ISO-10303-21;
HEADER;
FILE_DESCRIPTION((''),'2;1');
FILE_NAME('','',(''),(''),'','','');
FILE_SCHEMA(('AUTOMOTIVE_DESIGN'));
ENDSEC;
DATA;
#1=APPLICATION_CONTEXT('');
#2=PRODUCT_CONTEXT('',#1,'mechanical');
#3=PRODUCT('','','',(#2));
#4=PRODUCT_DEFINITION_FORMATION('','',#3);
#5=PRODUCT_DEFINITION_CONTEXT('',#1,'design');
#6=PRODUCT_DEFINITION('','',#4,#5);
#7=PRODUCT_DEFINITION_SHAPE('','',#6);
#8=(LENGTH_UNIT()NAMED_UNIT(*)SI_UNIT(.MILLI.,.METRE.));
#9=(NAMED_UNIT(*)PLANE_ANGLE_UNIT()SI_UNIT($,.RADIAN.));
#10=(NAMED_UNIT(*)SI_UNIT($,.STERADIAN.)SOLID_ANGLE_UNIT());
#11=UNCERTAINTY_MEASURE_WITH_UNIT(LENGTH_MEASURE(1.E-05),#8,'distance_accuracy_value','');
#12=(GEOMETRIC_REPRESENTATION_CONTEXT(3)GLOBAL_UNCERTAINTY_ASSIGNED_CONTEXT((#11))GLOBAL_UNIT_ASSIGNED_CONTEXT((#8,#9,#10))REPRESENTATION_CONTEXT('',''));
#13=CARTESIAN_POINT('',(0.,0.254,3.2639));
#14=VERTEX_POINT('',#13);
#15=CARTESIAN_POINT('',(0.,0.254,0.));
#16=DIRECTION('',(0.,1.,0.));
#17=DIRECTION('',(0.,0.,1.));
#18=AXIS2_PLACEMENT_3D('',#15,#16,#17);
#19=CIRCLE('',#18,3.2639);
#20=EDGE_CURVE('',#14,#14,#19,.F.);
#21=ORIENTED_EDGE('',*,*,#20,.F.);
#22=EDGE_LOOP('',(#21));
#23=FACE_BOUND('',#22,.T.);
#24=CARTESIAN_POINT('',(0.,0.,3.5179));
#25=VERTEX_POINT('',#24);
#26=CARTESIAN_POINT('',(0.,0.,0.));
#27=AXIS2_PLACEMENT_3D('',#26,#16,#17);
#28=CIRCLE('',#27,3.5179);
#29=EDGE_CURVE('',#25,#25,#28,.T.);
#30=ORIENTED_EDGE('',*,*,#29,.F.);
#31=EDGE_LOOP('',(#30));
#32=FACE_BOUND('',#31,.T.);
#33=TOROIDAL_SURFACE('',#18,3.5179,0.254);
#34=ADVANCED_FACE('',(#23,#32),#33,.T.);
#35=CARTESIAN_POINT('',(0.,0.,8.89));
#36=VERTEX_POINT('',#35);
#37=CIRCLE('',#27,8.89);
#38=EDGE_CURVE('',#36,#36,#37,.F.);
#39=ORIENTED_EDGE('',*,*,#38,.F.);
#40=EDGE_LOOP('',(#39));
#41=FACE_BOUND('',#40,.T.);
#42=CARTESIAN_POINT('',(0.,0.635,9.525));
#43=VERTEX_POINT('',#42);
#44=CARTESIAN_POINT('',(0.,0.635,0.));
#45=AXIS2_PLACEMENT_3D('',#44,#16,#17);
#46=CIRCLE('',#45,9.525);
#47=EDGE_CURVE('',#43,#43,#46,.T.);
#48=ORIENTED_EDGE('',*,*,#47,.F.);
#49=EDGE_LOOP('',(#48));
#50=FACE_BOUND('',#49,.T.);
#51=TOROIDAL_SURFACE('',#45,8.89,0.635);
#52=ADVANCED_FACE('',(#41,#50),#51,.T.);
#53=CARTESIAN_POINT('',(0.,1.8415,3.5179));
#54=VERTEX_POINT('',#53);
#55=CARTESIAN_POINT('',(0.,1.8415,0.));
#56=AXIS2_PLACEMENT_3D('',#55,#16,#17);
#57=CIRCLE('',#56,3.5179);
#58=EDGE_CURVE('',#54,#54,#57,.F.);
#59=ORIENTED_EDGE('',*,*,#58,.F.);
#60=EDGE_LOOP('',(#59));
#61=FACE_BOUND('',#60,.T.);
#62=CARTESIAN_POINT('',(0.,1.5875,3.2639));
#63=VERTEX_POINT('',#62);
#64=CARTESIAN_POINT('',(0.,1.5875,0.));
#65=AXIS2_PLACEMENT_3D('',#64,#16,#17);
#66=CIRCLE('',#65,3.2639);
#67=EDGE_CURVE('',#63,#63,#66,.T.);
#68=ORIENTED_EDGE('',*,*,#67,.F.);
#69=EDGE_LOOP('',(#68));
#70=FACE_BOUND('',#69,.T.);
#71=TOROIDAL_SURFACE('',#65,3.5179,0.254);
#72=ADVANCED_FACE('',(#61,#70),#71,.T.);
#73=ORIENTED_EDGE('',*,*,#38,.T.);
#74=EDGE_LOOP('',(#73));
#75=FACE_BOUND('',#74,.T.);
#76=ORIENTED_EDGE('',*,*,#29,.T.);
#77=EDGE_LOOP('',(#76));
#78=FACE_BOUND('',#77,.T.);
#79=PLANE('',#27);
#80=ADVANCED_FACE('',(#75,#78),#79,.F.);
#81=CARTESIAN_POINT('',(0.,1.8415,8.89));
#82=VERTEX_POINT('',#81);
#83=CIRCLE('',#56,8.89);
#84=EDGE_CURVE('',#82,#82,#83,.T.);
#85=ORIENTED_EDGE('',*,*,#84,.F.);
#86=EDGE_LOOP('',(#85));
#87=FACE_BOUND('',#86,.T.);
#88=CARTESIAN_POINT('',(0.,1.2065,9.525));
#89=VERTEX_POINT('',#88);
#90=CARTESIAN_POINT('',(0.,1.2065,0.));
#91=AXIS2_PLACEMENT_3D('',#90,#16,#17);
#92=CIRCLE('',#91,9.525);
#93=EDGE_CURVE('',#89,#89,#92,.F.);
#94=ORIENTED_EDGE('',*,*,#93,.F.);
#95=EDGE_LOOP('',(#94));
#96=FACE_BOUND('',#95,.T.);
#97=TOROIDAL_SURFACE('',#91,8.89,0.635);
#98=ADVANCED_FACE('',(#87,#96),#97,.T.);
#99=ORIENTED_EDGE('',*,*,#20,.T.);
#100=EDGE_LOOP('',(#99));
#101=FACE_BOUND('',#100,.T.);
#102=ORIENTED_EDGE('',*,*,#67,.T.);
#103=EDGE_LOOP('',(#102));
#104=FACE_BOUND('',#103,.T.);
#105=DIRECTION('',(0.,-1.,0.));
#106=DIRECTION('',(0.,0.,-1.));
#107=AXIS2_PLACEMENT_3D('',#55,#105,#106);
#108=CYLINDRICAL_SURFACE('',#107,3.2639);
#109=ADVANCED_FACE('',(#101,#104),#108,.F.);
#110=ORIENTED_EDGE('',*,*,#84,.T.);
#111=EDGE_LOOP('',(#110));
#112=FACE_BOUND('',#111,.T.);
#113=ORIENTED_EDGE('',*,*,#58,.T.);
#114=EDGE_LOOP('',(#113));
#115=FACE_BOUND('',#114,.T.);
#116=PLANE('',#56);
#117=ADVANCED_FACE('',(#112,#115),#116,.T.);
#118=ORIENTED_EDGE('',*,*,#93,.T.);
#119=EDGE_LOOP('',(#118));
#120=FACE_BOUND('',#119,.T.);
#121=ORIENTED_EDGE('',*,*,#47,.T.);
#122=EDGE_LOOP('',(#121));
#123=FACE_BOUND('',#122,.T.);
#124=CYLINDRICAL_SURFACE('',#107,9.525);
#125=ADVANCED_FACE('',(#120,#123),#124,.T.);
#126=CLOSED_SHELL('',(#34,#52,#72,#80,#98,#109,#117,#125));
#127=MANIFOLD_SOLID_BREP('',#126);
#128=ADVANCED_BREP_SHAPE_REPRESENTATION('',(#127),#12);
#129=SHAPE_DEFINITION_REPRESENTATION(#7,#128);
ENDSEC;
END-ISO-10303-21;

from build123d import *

# Parameters (mm, degrees)
SKETCH1_R           = 9.525
SKETCH1_R_2         = 3.2639
BOSS_EXTRUDE1_DEPTH = 1.8415
FILLET1_R           = 0.635
FILLET2_R           = 0.254


with BuildPart() as part:
    # Sketch1 → Boss-Extrude1 (new body)
    with BuildSketch(Plane(origin=(0, 0, 0), x_dir=(1, 0, 0), z_dir=(0, 1, 0))):
        with Locations(Location((0, 0, 0), (0, 0, 270))):
            Circle(SKETCH1_R)
        with Locations(Location((0, 0, 0), (0, 0, 270))):
            Circle(SKETCH1_R_2, mode=Mode.SUBTRACT)
    extrude(amount=BOSS_EXTRUDE1_DEPTH)

    # Fillet1
    fillet1_edges = [part.edges().sort_by_distance(p)[0] for p in [
        (0, 0, -9.525),
        (0, 1.8415, -9.525),
    ]]
    fillet(fillet1_edges, radius=FILLET1_R)

    # Fillet2
    fillet2_edges = [part.edges().sort_by_distance(p)[0] for p in [
        (0, 0, -3.2639),
        (0, 1.8415, -3.2639),
    ]]
    fillet(fillet2_edges, radius=FILLET2_R)


solid = part.part
